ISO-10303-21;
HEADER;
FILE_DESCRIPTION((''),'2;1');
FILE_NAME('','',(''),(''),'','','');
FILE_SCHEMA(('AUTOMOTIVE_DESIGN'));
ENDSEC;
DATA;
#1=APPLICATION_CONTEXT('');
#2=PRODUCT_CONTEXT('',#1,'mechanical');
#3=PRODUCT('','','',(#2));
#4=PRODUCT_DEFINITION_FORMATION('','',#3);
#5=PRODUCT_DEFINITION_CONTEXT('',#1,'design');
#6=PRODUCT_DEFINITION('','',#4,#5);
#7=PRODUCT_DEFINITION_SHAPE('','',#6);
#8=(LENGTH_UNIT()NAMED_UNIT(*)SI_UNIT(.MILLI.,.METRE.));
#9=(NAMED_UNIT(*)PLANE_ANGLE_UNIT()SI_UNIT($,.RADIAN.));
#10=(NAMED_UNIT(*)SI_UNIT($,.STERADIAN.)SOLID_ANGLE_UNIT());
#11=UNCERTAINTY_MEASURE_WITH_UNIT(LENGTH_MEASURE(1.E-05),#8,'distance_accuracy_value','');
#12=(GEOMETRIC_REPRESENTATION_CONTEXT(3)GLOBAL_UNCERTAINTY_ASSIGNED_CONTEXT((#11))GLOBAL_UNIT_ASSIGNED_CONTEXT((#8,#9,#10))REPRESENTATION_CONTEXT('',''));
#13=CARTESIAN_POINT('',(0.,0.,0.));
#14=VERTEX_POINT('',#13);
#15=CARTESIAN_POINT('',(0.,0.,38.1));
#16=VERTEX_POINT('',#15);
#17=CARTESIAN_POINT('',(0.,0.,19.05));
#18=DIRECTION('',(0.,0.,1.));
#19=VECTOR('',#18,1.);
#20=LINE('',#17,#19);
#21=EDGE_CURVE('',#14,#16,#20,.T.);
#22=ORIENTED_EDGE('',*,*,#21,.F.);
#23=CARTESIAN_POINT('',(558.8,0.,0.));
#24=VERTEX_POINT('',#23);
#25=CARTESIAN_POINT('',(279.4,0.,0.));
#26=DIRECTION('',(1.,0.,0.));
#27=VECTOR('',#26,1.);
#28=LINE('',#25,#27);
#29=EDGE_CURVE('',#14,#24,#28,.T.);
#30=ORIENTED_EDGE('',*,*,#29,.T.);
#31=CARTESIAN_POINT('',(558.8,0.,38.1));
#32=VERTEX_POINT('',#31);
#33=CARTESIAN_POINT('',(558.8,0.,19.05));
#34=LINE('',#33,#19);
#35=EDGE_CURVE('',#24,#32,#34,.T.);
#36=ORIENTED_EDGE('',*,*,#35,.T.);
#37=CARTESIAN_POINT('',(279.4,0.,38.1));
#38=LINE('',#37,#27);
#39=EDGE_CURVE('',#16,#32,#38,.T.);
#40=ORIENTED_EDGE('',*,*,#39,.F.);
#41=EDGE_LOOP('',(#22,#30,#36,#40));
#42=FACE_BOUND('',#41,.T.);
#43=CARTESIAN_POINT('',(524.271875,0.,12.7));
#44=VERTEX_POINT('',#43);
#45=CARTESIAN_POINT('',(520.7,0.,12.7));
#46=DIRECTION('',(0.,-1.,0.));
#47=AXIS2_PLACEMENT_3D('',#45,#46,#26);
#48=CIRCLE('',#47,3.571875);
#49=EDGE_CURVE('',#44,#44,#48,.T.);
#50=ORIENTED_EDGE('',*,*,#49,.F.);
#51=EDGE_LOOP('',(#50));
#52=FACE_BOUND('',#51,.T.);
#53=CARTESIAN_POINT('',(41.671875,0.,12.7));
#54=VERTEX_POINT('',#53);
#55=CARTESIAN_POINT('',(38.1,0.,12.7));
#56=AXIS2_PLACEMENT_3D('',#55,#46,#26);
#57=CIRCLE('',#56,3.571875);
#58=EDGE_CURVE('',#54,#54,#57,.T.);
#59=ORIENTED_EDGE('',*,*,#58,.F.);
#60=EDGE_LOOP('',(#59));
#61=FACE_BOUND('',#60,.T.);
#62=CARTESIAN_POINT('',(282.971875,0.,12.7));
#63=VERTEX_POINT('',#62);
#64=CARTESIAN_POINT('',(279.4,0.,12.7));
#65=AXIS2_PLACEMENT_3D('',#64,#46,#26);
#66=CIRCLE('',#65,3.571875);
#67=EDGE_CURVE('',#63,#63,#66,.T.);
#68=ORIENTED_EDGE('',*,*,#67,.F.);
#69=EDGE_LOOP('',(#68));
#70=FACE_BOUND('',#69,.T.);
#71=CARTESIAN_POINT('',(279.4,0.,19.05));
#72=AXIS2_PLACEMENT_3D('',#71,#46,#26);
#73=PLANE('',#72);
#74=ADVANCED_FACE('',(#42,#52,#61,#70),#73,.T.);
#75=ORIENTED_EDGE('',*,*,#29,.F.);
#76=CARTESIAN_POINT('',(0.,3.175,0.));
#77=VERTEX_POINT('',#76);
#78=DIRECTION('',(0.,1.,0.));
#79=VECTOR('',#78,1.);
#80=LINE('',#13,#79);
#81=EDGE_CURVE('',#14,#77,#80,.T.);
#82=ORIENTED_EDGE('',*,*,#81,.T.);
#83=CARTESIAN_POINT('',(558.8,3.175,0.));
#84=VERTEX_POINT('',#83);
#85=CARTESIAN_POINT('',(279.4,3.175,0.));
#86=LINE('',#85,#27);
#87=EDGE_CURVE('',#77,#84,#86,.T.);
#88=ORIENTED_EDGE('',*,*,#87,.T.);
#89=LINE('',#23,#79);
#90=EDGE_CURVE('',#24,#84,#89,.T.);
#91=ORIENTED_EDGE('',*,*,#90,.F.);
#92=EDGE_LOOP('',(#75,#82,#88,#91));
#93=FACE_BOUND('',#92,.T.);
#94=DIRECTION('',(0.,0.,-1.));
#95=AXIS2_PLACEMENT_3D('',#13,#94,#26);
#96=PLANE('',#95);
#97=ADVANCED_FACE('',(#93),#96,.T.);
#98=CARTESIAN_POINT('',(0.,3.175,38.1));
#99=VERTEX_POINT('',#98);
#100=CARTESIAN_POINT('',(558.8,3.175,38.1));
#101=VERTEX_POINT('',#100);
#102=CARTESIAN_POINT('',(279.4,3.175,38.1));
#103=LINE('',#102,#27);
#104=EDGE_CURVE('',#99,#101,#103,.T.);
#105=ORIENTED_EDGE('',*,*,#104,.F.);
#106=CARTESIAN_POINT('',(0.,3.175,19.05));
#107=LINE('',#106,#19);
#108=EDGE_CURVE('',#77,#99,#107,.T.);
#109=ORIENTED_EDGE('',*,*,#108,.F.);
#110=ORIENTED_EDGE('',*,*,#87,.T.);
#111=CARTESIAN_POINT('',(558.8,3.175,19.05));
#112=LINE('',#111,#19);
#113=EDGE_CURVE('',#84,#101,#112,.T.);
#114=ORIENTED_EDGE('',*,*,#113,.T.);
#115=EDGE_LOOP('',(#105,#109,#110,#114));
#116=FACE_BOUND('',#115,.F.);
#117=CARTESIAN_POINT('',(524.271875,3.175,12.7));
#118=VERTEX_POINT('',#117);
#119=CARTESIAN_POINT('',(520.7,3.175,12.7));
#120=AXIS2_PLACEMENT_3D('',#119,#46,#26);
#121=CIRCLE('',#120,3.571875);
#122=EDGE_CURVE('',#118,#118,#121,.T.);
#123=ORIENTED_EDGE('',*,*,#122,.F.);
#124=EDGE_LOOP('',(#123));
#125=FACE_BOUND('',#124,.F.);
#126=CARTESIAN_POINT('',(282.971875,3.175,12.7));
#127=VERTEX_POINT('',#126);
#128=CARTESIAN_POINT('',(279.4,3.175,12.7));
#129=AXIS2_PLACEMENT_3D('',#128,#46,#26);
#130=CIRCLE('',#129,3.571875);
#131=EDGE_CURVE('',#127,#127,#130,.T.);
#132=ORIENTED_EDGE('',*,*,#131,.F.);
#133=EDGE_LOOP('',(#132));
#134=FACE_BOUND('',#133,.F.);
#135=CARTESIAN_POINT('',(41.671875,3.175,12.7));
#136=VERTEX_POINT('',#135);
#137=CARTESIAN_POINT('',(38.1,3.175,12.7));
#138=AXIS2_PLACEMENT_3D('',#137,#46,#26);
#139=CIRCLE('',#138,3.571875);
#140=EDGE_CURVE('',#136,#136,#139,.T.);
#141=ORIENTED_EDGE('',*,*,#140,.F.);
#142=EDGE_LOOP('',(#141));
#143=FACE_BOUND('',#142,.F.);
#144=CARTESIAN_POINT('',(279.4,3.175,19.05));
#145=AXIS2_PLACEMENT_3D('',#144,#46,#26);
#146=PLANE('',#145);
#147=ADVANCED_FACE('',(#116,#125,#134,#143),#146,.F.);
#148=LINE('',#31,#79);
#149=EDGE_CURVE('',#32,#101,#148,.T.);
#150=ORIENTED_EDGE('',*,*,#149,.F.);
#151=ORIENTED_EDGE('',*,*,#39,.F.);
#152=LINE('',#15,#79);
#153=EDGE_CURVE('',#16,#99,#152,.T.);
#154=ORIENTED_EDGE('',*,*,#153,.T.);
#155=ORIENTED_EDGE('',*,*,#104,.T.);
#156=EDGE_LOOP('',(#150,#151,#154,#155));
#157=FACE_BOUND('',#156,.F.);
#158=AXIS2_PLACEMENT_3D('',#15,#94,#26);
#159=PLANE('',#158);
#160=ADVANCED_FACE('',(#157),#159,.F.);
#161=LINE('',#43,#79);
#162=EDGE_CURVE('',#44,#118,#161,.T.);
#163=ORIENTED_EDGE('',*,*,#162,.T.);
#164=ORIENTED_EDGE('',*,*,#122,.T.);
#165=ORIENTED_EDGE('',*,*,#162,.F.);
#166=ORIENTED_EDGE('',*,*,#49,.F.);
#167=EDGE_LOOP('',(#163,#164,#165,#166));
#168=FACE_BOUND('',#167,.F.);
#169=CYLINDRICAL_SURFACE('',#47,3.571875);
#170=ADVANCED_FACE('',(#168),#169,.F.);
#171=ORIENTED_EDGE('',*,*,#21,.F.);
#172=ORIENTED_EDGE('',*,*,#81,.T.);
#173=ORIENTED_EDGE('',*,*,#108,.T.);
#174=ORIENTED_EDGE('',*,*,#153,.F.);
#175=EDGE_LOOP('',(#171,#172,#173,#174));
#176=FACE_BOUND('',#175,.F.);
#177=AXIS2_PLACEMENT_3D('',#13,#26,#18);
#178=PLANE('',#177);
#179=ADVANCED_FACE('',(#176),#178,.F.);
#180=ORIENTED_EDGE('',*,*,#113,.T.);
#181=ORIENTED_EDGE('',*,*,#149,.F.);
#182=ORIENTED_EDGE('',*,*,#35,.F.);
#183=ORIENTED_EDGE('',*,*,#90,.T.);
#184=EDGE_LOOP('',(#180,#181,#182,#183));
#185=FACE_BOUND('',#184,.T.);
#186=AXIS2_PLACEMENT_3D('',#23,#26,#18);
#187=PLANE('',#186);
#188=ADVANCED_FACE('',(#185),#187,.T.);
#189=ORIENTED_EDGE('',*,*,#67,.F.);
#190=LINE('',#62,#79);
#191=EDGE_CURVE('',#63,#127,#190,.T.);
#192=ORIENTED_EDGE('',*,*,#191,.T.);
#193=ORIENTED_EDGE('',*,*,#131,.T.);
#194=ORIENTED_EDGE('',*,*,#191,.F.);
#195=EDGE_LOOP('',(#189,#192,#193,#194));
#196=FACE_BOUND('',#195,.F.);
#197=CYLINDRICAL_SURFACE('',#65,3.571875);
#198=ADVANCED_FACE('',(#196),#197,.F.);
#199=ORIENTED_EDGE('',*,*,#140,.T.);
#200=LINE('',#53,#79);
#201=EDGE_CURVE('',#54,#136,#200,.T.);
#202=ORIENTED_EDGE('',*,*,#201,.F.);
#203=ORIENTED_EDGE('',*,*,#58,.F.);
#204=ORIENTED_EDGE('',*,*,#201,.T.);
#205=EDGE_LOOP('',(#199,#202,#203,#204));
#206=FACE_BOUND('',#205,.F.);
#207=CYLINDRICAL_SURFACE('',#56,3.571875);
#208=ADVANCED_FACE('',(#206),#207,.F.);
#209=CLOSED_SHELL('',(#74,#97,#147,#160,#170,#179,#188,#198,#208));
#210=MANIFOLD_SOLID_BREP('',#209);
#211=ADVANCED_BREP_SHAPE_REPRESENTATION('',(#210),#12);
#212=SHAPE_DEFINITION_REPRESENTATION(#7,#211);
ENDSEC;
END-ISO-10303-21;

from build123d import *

# Parameters (mm, degrees)
F0_W     = 558.8
F0_H     = 38.1
F1_DEPTH = 3.175
F2_R     = 3.571875
F3_DEPTH = 3.176


with BuildPart() as f1:
    # F0 (on Front) → F1 (new body)
    with BuildSketch(Plane.XZ):
        with Locations((279.4, 19.05)):
            Rectangle(F0_W, F0_H)
    extrude(amount=-F1_DEPTH)

    # F2 (on face) → F3 (cut, through all)
    with BuildSketch(Plane.XZ):
        with Locations((38.1, 12.7)):
            Circle(F2_R)
        with Locations((279.4, 12.7)):
            Circle(F2_R)
        with Locations((520.7, 12.7)):
            Circle(F2_R)
    extrude(amount=-F3_DEPTH, mode=Mode.SUBTRACT)


solid = f1.part
